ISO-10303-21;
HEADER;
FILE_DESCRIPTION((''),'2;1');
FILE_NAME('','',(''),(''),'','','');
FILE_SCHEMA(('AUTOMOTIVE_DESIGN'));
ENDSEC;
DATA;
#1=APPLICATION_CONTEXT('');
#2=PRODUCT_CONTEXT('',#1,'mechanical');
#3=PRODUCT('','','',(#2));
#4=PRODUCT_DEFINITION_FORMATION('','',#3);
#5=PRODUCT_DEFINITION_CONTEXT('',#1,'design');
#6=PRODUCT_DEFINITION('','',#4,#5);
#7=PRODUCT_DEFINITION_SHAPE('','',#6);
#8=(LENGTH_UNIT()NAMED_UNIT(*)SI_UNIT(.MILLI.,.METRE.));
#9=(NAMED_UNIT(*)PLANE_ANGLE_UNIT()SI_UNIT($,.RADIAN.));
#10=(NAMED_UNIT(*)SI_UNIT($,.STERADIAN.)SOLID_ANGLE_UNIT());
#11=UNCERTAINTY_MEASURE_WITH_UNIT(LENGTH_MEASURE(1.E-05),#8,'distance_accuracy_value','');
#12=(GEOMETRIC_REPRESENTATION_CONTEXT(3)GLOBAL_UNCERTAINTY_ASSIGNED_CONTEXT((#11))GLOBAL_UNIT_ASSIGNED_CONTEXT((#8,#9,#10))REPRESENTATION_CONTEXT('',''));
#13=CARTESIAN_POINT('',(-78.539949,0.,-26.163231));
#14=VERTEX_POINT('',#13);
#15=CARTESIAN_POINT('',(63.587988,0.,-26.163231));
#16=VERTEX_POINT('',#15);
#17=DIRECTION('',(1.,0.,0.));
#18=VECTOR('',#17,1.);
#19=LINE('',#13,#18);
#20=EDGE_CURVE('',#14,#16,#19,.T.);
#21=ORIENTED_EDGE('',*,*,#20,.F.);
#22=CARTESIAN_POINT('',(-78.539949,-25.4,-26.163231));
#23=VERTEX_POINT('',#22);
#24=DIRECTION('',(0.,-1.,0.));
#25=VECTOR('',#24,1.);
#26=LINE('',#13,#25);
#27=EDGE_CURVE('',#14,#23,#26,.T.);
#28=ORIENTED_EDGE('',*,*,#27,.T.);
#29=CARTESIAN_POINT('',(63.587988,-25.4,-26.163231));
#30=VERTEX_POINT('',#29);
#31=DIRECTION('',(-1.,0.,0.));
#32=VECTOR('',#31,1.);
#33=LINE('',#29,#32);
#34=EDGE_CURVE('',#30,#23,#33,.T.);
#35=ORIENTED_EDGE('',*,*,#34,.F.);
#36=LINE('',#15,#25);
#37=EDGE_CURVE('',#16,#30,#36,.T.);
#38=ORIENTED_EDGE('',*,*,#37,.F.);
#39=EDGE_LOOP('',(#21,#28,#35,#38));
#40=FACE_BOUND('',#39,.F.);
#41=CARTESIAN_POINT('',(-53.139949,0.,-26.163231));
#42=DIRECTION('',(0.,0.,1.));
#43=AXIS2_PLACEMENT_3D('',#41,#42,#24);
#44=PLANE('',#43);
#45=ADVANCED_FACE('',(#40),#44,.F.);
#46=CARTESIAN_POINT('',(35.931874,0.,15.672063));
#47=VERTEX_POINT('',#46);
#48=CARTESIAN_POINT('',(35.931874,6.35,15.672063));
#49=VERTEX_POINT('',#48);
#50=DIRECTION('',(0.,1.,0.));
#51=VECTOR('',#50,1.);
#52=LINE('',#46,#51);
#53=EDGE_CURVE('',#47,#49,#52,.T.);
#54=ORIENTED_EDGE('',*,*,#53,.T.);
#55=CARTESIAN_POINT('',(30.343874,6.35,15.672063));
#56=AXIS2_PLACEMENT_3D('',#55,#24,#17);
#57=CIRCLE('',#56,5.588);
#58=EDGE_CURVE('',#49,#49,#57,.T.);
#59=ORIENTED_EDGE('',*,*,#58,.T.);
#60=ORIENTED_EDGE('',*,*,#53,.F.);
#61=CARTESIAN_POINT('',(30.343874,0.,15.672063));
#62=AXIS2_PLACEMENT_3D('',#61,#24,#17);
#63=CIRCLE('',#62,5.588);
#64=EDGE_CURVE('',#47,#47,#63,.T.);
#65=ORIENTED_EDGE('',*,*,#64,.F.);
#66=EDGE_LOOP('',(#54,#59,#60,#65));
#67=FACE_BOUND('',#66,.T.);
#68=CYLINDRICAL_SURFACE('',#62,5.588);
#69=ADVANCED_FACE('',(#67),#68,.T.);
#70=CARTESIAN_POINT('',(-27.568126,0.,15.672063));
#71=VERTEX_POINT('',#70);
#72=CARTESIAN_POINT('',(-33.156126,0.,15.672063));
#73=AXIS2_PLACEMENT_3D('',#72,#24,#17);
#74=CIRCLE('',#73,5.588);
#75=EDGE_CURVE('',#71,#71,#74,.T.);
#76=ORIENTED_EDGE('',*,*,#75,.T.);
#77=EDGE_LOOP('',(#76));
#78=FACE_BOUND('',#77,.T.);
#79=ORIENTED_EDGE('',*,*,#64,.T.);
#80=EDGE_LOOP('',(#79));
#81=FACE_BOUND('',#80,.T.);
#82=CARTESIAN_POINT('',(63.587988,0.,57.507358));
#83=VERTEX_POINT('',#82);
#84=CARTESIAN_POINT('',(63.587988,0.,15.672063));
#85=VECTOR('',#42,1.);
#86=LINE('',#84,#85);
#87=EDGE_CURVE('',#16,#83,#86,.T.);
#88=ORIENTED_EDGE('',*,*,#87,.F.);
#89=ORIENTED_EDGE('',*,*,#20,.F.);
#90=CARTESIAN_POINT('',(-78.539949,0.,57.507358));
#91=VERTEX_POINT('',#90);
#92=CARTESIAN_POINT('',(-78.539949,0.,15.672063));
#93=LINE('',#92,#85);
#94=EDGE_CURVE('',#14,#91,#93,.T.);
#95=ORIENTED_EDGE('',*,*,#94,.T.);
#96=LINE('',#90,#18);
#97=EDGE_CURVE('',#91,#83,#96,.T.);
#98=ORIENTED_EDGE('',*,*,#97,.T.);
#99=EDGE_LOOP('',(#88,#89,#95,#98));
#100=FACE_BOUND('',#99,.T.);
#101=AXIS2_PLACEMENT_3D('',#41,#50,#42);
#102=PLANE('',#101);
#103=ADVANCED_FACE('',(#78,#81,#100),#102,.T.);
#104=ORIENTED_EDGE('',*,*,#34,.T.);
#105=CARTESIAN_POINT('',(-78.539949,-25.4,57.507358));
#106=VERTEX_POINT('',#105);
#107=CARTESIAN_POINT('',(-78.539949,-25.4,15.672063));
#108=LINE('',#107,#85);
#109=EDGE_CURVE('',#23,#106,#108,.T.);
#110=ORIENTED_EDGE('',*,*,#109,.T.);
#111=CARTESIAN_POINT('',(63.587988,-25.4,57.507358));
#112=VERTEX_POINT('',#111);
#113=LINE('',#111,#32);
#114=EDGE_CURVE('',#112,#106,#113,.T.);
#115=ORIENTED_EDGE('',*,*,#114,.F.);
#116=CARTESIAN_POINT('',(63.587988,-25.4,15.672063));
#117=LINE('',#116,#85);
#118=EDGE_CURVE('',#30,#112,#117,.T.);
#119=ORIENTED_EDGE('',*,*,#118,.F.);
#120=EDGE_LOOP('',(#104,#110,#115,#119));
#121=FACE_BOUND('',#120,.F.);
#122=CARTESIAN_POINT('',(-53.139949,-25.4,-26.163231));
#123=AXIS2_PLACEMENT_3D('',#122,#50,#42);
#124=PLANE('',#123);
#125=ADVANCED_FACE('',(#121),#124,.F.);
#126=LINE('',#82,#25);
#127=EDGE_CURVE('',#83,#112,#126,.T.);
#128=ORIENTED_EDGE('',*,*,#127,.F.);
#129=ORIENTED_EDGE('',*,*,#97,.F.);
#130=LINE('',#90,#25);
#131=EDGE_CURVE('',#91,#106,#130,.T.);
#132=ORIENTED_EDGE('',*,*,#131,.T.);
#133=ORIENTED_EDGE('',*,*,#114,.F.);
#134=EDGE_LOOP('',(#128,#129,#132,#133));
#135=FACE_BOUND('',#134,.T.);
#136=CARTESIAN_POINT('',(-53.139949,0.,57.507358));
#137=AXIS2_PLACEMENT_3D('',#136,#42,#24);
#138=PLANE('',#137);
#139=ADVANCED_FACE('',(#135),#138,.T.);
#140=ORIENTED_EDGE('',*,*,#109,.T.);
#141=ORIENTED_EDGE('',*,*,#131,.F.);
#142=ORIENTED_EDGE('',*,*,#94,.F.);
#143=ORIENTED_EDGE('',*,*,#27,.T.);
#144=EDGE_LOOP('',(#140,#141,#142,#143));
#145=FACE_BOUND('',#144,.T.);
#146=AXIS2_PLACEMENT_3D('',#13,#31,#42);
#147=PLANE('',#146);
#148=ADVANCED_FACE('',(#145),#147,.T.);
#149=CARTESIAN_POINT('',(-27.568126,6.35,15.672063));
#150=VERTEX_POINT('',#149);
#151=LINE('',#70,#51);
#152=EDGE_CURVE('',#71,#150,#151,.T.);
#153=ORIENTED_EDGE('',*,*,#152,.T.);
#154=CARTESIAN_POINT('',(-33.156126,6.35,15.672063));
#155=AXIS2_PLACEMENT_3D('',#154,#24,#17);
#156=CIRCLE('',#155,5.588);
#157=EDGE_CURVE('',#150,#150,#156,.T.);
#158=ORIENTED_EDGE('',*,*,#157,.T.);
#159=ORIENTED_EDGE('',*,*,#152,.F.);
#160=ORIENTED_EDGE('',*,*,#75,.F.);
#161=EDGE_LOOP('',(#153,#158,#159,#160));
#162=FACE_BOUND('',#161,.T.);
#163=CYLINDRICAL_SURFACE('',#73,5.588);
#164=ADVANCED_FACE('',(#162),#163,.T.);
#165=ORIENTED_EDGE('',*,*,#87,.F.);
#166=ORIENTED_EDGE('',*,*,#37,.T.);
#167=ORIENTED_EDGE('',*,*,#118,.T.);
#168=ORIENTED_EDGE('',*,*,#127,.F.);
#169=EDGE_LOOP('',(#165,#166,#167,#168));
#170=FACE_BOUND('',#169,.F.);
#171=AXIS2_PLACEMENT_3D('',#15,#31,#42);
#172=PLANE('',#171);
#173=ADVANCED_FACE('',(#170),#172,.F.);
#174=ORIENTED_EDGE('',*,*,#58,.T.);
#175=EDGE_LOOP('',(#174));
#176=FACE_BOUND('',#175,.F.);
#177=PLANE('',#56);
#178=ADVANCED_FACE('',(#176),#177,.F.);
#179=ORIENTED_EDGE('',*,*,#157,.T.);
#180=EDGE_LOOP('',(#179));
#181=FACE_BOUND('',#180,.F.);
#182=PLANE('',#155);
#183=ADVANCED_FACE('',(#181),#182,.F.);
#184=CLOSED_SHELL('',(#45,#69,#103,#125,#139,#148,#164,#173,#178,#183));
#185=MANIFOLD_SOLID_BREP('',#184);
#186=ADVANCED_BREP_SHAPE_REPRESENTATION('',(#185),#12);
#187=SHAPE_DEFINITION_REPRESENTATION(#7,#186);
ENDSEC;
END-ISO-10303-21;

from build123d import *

# Parameters (mm, degrees)
F0_W     = 116.7279371016
F0_H     = 83.6705883693
F0_R     = 5.588
F1_DEPTH = 25.4
F2_DEPTH = 6.35
F3_DEPTH = 25.4


with BuildPart() as f1:
    # F0 (on Front) → F1 (new body)
    with BuildSketch(Plane.XZ):
        with Locations((5.224019289, 15.672063455)):
            Rectangle(F0_W, F0_H)
        with Locations((-33.1561258105, 15.672063455)):
            Circle(F0_R, mode=Mode.SUBTRACT)
        with Locations((30.3438741895, 15.672063455)):
            Circle(F0_R, mode=Mode.SUBTRACT)
        with Locations((-33.1561258105, 15.672063455)):
            Circle(F0_R)
        with Locations((30.3438741895, 15.672063455)):
            Circle(F0_R)
    extrude(amount=F1_DEPTH)

    # F0 (on Front) → F2 (join)
    with BuildSketch(Plane.XZ):
        with Locations((30.3438741895, 15.672063455)):
            Circle(F0_R)
        with Locations((-33.1561258105, 15.672063455)):
            Circle(F0_R)
    extrude(amount=-F2_DEPTH)

    # F3 (add): a face of the model
    f3_faces = [f1.faces().sort_by_distance(p)[0] for p in [
        (-53.1399492618, -12.7, 15.672063455),
    ]]
    extrude(f3_faces, amount=F3_DEPTH)


solid = f1.part
